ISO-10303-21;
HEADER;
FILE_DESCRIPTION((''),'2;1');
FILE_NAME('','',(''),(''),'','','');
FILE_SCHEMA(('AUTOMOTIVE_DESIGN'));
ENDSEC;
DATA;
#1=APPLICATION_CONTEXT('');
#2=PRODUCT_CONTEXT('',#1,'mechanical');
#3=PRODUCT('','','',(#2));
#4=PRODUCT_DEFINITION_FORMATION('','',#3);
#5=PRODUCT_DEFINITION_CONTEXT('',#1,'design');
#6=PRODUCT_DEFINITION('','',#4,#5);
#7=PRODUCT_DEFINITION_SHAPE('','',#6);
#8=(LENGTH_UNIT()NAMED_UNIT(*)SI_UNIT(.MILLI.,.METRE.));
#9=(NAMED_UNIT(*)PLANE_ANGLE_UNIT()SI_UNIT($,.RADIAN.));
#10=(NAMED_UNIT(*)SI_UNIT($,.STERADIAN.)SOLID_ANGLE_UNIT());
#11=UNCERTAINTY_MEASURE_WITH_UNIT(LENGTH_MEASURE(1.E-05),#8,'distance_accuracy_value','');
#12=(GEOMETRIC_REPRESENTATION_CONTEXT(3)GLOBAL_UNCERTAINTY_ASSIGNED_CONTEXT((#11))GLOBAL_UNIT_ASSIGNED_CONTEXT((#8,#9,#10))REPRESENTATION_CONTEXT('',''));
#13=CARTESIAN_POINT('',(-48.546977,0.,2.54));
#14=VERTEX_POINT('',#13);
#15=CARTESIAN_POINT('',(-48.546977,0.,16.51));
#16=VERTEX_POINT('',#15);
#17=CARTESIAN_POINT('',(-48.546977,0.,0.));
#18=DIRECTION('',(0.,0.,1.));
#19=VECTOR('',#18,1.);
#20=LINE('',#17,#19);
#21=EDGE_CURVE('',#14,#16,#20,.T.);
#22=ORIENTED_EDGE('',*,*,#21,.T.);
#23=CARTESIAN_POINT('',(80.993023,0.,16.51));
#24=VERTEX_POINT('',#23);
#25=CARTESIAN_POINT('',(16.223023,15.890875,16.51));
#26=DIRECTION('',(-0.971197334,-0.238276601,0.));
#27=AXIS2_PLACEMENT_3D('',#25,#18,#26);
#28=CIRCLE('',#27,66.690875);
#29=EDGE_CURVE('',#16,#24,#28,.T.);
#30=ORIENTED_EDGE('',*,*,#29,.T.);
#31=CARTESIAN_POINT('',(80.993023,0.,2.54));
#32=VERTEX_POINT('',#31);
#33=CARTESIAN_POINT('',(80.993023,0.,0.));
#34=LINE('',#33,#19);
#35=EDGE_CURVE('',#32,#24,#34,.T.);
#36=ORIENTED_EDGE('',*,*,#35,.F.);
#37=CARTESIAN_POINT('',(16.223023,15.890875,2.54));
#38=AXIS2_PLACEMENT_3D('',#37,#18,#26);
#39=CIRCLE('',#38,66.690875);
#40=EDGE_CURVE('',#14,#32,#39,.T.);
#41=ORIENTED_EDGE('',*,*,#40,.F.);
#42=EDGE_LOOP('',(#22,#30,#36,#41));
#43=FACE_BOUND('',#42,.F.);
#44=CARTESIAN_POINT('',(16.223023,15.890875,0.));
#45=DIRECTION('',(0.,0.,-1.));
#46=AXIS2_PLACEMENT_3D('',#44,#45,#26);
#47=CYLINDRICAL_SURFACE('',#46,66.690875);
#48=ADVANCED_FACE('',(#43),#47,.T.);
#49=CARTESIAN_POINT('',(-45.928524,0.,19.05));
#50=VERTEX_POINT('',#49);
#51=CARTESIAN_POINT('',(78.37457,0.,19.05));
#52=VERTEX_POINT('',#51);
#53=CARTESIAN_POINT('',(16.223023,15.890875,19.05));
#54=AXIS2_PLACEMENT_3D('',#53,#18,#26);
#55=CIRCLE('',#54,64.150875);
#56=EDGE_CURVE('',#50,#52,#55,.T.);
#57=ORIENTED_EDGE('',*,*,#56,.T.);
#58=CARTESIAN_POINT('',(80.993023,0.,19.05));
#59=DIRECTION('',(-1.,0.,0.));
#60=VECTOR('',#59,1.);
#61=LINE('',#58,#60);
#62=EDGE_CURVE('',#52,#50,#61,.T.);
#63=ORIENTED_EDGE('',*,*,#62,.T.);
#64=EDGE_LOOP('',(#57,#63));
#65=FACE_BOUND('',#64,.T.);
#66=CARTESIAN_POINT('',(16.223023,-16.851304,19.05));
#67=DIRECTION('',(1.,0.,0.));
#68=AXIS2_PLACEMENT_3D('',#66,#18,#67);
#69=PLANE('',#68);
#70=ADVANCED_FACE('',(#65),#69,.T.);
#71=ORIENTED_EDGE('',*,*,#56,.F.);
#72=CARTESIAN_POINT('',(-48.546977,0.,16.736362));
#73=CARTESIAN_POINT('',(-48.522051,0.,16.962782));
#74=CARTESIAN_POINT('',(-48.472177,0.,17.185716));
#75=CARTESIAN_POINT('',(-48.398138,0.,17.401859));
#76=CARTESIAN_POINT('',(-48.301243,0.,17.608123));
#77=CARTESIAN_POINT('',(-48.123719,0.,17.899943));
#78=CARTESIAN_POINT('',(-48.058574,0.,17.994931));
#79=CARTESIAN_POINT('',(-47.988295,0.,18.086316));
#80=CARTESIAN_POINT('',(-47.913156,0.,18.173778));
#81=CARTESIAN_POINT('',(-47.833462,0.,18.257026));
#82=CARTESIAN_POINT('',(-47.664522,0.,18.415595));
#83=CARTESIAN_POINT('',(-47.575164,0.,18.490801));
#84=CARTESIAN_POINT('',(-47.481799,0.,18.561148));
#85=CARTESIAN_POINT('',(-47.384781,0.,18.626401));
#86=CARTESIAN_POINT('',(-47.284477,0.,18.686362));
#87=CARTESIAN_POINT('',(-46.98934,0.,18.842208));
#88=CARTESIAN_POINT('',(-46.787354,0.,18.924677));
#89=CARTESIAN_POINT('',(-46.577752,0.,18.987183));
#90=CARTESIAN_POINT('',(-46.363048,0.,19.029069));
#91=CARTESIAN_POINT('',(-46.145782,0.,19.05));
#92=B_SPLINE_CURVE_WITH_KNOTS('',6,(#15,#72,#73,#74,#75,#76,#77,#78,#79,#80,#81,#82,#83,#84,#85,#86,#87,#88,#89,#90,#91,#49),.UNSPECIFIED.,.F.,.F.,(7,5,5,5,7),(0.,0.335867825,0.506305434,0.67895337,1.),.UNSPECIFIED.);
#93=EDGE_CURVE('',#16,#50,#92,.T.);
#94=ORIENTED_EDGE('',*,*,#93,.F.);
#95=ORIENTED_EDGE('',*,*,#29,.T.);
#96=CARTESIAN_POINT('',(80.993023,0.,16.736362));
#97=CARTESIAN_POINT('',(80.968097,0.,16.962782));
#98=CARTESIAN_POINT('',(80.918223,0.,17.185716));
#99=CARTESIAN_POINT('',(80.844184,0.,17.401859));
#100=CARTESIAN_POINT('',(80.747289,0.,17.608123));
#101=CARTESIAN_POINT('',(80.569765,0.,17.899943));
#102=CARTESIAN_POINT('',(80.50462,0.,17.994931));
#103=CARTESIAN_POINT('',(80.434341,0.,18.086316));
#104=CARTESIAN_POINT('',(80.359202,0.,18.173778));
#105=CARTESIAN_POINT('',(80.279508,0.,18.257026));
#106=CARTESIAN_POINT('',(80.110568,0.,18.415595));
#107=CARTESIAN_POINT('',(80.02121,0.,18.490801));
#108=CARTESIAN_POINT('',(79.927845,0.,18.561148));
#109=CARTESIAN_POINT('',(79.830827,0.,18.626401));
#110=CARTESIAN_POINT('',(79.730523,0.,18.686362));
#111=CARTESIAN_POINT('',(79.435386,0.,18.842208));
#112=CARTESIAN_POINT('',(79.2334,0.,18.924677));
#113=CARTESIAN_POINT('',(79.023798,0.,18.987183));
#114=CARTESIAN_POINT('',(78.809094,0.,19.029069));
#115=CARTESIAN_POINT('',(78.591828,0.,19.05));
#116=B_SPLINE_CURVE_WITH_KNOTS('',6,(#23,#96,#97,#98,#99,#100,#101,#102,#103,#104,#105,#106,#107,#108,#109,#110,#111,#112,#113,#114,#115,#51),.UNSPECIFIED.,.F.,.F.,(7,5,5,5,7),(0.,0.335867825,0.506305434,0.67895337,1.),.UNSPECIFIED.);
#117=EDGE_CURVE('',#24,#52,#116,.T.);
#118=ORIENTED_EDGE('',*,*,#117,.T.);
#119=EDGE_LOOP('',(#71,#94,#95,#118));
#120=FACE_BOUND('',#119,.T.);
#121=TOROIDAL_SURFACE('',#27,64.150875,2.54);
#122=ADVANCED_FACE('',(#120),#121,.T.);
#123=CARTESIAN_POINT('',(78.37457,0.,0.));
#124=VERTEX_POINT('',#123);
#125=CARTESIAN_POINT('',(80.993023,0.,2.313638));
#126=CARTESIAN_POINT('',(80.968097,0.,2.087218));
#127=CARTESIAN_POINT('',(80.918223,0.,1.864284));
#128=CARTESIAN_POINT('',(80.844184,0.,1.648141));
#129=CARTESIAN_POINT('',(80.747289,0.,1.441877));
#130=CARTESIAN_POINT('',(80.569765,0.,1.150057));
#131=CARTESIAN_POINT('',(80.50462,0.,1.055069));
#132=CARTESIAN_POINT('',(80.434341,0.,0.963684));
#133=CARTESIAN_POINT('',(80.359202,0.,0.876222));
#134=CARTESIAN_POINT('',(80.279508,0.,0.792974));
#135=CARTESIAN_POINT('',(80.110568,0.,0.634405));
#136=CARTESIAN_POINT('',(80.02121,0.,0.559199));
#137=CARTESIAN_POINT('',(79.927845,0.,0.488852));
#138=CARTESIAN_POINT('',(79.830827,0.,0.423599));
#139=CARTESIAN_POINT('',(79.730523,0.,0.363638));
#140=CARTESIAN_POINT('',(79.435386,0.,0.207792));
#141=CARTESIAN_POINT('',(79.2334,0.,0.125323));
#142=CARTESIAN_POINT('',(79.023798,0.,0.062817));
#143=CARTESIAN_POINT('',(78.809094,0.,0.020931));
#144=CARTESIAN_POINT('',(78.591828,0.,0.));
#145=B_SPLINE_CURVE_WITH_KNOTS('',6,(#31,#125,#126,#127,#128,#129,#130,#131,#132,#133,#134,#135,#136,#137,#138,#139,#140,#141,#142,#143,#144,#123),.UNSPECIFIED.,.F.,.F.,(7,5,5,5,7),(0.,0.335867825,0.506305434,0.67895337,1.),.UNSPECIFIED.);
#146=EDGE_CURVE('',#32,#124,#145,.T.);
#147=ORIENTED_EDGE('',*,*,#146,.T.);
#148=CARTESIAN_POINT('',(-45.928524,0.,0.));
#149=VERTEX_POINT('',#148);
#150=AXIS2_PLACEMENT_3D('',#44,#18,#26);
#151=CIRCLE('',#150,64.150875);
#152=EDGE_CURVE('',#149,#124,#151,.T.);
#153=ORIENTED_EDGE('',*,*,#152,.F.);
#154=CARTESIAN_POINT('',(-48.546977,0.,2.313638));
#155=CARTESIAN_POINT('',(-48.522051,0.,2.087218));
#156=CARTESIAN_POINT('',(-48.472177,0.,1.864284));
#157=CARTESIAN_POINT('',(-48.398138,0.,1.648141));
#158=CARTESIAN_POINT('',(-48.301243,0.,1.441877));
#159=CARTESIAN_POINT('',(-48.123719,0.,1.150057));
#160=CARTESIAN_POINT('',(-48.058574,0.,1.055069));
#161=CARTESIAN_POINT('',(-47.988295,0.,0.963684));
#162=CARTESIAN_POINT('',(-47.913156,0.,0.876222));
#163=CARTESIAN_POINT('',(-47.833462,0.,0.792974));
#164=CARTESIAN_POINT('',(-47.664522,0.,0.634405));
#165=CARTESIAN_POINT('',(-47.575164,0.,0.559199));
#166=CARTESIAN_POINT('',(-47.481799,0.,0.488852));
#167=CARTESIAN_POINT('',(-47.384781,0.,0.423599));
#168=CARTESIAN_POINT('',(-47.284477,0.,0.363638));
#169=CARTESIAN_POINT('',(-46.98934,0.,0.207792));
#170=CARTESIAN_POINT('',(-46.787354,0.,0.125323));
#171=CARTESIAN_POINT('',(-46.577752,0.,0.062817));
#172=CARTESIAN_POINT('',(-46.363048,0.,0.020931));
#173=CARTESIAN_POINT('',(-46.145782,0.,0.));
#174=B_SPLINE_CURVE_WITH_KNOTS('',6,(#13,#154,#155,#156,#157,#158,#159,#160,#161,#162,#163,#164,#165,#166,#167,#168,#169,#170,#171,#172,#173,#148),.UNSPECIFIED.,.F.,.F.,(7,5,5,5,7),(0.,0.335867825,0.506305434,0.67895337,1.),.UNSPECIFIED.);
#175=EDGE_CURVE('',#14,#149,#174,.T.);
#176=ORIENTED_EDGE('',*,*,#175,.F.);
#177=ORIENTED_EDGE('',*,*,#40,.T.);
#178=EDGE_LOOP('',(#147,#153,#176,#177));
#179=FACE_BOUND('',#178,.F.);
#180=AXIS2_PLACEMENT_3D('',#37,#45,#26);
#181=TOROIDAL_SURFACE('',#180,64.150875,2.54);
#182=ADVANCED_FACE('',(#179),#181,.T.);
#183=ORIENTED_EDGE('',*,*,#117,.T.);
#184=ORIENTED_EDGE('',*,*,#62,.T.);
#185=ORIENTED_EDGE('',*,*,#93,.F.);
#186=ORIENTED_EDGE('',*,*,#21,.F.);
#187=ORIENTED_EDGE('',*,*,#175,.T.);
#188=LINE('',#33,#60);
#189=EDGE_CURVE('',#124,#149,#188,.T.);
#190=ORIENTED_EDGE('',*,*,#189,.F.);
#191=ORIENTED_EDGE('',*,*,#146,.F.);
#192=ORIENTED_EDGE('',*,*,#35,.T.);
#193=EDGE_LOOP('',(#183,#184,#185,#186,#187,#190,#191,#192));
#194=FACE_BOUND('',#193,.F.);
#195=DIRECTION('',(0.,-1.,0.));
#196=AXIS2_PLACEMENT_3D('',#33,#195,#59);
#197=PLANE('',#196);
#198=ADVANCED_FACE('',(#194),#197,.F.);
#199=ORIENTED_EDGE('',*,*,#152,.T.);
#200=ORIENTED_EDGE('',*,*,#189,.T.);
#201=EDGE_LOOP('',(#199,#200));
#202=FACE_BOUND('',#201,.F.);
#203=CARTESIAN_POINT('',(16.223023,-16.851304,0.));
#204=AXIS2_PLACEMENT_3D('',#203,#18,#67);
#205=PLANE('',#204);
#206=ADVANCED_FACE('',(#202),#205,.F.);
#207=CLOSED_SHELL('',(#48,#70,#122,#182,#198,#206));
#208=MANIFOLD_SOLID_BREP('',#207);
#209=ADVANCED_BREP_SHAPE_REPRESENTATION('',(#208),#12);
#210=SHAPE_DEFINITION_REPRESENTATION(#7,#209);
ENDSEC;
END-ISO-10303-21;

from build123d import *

# Parameters (mm, degrees)
F1_DEPTH = 19.05
F2_R     = 2.54


with BuildPart() as f1:
    # F0 (on Top) → F1 (new body)
    with BuildSketch(Plane.XY):
        with BuildLine():
            Line((80.993023, 0), (-48.546977, 0))
            ThreePointArc((-48.546977, 0), (16.223023, -50.8), (80.993023, 0))
        make_face()
    extrude(amount=F1_DEPTH)

    # F2
    f2_edges = [f1.edges().sort_by_distance(p)[0] for p in [
        (16.223023, -50.8, 19.05),
        (16.223023, -50.8, 0),
    ]]
    fillet(f2_edges, radius=F2_R)


solid = f1.part
